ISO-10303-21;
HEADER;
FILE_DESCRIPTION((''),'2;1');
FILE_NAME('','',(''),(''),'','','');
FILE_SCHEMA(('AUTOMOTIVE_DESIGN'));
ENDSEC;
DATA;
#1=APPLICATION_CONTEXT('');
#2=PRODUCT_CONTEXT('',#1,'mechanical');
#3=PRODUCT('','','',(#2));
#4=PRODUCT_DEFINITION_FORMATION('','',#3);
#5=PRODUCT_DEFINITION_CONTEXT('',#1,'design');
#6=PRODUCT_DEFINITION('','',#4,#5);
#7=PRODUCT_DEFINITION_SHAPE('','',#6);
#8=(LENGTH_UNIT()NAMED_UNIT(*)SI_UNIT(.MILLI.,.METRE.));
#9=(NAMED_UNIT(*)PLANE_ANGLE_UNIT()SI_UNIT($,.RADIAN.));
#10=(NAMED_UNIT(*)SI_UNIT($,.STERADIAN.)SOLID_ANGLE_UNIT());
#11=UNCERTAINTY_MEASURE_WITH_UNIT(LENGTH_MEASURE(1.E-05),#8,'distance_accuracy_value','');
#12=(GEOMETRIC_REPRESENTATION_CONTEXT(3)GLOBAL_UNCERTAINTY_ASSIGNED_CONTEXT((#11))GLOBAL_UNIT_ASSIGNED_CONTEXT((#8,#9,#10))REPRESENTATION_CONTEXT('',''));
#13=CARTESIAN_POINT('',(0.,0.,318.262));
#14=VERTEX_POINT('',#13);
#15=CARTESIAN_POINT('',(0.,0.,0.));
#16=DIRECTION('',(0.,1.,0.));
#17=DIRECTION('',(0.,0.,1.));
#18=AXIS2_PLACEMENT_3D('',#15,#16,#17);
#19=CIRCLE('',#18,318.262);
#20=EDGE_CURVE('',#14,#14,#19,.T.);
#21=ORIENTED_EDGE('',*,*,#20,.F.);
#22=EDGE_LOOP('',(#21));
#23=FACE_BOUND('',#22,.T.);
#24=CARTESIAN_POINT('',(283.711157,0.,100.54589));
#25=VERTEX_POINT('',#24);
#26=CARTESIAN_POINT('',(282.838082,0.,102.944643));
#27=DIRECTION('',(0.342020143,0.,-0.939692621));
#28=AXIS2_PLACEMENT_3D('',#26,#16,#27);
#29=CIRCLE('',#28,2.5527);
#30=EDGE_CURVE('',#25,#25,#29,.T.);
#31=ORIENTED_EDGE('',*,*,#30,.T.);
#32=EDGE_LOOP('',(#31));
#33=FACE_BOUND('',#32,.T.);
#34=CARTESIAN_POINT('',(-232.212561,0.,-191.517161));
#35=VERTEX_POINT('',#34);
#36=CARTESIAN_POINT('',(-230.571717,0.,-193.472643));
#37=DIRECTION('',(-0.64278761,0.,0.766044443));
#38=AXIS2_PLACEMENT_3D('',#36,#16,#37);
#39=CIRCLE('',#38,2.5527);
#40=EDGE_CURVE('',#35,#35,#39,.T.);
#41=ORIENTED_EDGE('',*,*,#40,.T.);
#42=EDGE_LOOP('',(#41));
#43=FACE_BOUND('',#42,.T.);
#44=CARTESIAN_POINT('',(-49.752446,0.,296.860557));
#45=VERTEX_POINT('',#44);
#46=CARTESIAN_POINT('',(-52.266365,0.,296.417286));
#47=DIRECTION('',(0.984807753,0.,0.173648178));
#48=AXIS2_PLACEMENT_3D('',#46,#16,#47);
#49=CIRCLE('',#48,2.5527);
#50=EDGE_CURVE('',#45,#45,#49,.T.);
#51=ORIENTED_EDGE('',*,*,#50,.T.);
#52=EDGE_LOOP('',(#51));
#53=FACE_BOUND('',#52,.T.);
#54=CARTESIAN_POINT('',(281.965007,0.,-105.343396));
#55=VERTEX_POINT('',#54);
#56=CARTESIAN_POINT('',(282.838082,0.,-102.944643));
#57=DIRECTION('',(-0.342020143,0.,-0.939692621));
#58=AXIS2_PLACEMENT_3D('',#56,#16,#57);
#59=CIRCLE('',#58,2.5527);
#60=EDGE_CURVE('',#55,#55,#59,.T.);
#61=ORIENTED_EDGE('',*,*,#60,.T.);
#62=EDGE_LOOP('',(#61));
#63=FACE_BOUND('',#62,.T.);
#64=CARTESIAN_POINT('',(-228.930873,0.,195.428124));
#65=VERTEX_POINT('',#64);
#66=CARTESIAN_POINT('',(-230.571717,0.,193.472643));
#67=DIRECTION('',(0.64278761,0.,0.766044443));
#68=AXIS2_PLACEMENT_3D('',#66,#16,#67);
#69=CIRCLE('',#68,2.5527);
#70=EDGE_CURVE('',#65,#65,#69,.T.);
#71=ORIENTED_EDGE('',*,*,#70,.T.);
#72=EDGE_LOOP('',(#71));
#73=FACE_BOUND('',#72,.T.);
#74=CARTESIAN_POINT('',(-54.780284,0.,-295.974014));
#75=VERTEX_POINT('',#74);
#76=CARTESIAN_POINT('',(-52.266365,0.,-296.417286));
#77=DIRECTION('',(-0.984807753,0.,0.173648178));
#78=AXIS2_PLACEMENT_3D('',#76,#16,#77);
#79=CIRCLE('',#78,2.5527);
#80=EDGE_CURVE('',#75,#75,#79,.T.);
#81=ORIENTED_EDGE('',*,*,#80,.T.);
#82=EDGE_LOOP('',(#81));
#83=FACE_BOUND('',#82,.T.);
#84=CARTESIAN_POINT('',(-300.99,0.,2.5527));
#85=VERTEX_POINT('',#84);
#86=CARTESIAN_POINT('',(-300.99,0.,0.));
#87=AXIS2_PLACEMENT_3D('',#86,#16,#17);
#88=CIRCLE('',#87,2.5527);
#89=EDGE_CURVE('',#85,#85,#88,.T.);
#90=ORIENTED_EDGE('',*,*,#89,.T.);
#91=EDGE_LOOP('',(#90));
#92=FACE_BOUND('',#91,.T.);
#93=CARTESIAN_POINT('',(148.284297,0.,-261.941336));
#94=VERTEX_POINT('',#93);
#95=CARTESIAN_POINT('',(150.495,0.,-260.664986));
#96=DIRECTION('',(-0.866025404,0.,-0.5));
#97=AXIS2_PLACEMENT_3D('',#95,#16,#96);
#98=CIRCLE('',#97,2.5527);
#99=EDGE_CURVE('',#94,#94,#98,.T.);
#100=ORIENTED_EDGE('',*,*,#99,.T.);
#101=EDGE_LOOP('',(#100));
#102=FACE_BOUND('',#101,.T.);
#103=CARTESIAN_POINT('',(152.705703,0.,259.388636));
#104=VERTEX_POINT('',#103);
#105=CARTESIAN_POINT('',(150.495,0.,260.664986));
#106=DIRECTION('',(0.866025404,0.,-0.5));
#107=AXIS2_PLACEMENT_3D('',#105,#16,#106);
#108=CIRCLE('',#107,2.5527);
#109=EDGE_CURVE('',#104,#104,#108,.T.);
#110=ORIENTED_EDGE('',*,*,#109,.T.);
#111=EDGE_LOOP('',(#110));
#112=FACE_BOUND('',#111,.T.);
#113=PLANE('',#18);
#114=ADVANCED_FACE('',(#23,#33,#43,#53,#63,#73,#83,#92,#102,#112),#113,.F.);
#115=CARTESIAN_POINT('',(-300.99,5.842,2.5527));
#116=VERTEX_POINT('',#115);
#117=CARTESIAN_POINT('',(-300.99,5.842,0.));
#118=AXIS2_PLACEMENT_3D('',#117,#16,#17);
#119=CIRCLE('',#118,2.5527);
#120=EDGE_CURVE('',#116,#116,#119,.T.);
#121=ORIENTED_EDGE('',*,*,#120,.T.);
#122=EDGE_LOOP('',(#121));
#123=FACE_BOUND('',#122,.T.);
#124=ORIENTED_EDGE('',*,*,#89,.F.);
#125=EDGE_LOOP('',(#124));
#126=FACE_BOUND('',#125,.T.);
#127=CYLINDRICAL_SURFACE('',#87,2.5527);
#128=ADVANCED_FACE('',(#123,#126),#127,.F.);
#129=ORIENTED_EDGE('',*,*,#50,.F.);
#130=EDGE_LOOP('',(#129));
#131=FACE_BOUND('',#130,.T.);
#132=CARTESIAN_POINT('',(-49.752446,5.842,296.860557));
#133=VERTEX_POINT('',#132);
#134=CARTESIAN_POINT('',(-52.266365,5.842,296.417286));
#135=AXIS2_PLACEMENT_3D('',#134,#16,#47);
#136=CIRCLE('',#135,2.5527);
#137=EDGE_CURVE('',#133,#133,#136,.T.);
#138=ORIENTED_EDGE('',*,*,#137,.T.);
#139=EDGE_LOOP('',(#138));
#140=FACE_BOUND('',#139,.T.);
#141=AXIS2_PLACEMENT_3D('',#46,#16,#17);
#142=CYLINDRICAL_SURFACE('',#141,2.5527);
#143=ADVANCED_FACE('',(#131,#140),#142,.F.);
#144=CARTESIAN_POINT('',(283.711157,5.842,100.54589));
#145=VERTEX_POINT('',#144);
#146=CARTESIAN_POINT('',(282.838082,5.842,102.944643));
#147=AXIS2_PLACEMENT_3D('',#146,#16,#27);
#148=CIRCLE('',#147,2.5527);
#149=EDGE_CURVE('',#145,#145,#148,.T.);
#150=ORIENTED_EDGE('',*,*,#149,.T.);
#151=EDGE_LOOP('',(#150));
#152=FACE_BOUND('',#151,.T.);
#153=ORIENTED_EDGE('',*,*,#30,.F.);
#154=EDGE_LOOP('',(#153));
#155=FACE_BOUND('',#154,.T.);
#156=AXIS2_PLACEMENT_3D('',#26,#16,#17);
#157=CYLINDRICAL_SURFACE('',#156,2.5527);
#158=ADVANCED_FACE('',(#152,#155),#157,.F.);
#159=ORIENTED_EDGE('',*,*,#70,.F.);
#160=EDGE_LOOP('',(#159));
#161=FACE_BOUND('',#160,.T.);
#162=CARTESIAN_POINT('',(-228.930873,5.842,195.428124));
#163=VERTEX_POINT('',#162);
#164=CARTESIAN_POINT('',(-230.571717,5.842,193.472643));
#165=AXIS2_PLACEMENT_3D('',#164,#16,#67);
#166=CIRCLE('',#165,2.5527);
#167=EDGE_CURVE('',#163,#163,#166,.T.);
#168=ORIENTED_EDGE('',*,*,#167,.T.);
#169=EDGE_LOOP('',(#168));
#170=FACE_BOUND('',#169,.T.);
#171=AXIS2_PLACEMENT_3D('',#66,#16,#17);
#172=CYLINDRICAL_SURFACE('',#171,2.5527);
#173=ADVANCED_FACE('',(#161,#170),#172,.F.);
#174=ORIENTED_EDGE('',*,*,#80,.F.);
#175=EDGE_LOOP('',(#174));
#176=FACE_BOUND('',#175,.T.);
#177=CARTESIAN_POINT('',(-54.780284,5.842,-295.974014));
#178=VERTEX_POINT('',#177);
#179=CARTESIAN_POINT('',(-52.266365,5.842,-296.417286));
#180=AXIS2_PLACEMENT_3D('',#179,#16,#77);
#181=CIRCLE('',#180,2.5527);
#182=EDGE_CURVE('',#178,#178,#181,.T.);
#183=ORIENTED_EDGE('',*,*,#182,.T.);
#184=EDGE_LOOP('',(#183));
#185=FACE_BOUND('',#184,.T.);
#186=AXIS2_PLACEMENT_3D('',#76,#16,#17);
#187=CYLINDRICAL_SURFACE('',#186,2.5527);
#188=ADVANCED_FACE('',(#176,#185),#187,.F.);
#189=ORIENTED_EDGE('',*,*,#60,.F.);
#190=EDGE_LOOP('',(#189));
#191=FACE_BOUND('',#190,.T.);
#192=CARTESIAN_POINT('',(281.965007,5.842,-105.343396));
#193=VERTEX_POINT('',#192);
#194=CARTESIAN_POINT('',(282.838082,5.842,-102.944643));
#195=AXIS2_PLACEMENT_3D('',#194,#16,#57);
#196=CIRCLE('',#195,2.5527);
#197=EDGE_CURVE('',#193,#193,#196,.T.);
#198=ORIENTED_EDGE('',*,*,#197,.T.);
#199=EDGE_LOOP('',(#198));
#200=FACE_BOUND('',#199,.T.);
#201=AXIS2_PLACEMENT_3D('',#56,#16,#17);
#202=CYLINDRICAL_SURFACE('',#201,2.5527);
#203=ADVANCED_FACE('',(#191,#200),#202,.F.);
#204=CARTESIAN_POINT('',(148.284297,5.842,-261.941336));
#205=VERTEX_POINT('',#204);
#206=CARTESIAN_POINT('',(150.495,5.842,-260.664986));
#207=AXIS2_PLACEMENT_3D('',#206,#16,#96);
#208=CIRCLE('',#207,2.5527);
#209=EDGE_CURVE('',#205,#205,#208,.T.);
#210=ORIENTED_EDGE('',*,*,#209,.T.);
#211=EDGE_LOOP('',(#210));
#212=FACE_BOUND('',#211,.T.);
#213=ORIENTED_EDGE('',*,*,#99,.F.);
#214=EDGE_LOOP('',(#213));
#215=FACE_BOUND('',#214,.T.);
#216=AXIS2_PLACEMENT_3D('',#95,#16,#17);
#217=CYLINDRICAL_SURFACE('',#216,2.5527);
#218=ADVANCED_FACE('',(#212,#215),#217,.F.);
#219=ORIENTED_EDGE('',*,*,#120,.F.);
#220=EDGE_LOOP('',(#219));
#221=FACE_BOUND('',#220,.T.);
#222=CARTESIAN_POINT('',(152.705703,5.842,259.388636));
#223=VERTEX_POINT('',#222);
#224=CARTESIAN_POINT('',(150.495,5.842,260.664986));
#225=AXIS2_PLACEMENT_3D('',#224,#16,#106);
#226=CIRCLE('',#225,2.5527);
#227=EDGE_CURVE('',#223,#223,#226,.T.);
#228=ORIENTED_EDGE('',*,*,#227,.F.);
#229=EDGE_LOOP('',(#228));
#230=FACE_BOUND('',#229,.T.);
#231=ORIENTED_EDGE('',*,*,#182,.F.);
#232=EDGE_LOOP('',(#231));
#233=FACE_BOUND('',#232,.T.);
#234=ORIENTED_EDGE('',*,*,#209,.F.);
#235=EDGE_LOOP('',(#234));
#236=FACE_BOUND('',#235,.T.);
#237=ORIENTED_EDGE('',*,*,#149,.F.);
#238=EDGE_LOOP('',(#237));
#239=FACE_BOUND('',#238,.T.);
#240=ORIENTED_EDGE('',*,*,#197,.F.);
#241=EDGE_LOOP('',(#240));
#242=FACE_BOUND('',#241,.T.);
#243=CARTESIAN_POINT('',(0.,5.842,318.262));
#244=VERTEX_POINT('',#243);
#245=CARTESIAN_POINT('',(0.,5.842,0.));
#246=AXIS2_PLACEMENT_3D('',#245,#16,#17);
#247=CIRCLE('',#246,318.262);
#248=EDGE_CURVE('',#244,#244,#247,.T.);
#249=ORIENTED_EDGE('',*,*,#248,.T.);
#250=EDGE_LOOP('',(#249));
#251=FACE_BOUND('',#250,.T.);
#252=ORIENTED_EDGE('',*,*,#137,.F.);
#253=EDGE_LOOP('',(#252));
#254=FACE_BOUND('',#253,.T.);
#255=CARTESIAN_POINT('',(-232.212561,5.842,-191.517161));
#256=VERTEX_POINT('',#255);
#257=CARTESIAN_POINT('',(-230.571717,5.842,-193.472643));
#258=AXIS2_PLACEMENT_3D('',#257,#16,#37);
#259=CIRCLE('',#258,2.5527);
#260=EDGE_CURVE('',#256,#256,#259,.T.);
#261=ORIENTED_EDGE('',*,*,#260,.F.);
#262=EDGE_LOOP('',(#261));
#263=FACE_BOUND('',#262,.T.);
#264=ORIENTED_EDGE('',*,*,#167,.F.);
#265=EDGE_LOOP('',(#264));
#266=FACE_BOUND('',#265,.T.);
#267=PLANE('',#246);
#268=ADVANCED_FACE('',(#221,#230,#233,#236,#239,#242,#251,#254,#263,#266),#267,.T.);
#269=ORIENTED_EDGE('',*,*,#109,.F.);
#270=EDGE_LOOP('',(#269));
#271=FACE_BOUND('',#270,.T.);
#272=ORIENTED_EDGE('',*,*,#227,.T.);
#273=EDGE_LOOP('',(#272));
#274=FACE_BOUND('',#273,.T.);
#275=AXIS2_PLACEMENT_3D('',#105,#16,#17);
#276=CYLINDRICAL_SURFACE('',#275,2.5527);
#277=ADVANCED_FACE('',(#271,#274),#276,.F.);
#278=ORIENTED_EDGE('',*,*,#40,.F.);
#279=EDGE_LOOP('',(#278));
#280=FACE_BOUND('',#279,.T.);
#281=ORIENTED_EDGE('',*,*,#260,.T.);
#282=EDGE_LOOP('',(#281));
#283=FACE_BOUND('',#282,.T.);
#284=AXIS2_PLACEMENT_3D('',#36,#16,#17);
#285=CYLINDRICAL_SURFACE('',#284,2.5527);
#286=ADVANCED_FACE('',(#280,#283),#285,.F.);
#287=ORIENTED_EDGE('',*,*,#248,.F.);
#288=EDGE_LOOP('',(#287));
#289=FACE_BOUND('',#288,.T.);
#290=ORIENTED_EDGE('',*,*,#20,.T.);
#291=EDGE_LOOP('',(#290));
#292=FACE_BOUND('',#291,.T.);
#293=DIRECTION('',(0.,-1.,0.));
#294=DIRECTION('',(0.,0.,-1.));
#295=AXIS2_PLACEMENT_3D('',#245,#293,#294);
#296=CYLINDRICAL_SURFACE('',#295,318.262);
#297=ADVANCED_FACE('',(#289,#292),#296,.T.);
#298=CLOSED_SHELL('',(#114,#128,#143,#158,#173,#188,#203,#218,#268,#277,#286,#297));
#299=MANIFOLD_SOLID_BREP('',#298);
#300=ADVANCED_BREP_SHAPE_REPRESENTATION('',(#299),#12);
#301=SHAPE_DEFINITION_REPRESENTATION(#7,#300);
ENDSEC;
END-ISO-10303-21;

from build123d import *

# Parameters (mm, degrees)
SKETCH1_R           = 318.262
BOSS_EXTRUDE1_DEPTH = 5.842
SKETCH2_R           = 2.5527
CUT_EXTRUDE1_DEPTH  = 451.128348643
CIRPATTERN1_COUNT   = 9


with BuildPart() as part:
    # Sketch1 → Boss-Extrude1 (new body)
    with BuildSketch(Plane(origin=(0, 0, 0), x_dir=(1, 0, 0), z_dir=(0, 1, 0))):
        Circle(SKETCH1_R)
    extrude(amount=BOSS_EXTRUDE1_DEPTH)

    # Sketch2 → Cut-Extrude1 (cut, through all)
    with BuildSketch(Plane(origin=(0, 5.842, 0), x_dir=(1, 0, 0), z_dir=(0, 1, 0))):
        with Locations((-300.99, 0)):
            Circle(SKETCH2_R)
    cut_extrude1 = extrude(amount=-CUT_EXTRUDE1_DEPTH, mode=Mode.SUBTRACT)

    # CirPattern1: Cut-Extrude1 ×9 about axis
    cirpattern1_axis = Axis((0, 6.6675, 0), (0, -1, 0))
    for i in range(1, CIRPATTERN1_COUNT):
        add(cut_extrude1.rotate(cirpattern1_axis, i * 360 / CIRPATTERN1_COUNT), mode=Mode.SUBTRACT)


solid = part.part
